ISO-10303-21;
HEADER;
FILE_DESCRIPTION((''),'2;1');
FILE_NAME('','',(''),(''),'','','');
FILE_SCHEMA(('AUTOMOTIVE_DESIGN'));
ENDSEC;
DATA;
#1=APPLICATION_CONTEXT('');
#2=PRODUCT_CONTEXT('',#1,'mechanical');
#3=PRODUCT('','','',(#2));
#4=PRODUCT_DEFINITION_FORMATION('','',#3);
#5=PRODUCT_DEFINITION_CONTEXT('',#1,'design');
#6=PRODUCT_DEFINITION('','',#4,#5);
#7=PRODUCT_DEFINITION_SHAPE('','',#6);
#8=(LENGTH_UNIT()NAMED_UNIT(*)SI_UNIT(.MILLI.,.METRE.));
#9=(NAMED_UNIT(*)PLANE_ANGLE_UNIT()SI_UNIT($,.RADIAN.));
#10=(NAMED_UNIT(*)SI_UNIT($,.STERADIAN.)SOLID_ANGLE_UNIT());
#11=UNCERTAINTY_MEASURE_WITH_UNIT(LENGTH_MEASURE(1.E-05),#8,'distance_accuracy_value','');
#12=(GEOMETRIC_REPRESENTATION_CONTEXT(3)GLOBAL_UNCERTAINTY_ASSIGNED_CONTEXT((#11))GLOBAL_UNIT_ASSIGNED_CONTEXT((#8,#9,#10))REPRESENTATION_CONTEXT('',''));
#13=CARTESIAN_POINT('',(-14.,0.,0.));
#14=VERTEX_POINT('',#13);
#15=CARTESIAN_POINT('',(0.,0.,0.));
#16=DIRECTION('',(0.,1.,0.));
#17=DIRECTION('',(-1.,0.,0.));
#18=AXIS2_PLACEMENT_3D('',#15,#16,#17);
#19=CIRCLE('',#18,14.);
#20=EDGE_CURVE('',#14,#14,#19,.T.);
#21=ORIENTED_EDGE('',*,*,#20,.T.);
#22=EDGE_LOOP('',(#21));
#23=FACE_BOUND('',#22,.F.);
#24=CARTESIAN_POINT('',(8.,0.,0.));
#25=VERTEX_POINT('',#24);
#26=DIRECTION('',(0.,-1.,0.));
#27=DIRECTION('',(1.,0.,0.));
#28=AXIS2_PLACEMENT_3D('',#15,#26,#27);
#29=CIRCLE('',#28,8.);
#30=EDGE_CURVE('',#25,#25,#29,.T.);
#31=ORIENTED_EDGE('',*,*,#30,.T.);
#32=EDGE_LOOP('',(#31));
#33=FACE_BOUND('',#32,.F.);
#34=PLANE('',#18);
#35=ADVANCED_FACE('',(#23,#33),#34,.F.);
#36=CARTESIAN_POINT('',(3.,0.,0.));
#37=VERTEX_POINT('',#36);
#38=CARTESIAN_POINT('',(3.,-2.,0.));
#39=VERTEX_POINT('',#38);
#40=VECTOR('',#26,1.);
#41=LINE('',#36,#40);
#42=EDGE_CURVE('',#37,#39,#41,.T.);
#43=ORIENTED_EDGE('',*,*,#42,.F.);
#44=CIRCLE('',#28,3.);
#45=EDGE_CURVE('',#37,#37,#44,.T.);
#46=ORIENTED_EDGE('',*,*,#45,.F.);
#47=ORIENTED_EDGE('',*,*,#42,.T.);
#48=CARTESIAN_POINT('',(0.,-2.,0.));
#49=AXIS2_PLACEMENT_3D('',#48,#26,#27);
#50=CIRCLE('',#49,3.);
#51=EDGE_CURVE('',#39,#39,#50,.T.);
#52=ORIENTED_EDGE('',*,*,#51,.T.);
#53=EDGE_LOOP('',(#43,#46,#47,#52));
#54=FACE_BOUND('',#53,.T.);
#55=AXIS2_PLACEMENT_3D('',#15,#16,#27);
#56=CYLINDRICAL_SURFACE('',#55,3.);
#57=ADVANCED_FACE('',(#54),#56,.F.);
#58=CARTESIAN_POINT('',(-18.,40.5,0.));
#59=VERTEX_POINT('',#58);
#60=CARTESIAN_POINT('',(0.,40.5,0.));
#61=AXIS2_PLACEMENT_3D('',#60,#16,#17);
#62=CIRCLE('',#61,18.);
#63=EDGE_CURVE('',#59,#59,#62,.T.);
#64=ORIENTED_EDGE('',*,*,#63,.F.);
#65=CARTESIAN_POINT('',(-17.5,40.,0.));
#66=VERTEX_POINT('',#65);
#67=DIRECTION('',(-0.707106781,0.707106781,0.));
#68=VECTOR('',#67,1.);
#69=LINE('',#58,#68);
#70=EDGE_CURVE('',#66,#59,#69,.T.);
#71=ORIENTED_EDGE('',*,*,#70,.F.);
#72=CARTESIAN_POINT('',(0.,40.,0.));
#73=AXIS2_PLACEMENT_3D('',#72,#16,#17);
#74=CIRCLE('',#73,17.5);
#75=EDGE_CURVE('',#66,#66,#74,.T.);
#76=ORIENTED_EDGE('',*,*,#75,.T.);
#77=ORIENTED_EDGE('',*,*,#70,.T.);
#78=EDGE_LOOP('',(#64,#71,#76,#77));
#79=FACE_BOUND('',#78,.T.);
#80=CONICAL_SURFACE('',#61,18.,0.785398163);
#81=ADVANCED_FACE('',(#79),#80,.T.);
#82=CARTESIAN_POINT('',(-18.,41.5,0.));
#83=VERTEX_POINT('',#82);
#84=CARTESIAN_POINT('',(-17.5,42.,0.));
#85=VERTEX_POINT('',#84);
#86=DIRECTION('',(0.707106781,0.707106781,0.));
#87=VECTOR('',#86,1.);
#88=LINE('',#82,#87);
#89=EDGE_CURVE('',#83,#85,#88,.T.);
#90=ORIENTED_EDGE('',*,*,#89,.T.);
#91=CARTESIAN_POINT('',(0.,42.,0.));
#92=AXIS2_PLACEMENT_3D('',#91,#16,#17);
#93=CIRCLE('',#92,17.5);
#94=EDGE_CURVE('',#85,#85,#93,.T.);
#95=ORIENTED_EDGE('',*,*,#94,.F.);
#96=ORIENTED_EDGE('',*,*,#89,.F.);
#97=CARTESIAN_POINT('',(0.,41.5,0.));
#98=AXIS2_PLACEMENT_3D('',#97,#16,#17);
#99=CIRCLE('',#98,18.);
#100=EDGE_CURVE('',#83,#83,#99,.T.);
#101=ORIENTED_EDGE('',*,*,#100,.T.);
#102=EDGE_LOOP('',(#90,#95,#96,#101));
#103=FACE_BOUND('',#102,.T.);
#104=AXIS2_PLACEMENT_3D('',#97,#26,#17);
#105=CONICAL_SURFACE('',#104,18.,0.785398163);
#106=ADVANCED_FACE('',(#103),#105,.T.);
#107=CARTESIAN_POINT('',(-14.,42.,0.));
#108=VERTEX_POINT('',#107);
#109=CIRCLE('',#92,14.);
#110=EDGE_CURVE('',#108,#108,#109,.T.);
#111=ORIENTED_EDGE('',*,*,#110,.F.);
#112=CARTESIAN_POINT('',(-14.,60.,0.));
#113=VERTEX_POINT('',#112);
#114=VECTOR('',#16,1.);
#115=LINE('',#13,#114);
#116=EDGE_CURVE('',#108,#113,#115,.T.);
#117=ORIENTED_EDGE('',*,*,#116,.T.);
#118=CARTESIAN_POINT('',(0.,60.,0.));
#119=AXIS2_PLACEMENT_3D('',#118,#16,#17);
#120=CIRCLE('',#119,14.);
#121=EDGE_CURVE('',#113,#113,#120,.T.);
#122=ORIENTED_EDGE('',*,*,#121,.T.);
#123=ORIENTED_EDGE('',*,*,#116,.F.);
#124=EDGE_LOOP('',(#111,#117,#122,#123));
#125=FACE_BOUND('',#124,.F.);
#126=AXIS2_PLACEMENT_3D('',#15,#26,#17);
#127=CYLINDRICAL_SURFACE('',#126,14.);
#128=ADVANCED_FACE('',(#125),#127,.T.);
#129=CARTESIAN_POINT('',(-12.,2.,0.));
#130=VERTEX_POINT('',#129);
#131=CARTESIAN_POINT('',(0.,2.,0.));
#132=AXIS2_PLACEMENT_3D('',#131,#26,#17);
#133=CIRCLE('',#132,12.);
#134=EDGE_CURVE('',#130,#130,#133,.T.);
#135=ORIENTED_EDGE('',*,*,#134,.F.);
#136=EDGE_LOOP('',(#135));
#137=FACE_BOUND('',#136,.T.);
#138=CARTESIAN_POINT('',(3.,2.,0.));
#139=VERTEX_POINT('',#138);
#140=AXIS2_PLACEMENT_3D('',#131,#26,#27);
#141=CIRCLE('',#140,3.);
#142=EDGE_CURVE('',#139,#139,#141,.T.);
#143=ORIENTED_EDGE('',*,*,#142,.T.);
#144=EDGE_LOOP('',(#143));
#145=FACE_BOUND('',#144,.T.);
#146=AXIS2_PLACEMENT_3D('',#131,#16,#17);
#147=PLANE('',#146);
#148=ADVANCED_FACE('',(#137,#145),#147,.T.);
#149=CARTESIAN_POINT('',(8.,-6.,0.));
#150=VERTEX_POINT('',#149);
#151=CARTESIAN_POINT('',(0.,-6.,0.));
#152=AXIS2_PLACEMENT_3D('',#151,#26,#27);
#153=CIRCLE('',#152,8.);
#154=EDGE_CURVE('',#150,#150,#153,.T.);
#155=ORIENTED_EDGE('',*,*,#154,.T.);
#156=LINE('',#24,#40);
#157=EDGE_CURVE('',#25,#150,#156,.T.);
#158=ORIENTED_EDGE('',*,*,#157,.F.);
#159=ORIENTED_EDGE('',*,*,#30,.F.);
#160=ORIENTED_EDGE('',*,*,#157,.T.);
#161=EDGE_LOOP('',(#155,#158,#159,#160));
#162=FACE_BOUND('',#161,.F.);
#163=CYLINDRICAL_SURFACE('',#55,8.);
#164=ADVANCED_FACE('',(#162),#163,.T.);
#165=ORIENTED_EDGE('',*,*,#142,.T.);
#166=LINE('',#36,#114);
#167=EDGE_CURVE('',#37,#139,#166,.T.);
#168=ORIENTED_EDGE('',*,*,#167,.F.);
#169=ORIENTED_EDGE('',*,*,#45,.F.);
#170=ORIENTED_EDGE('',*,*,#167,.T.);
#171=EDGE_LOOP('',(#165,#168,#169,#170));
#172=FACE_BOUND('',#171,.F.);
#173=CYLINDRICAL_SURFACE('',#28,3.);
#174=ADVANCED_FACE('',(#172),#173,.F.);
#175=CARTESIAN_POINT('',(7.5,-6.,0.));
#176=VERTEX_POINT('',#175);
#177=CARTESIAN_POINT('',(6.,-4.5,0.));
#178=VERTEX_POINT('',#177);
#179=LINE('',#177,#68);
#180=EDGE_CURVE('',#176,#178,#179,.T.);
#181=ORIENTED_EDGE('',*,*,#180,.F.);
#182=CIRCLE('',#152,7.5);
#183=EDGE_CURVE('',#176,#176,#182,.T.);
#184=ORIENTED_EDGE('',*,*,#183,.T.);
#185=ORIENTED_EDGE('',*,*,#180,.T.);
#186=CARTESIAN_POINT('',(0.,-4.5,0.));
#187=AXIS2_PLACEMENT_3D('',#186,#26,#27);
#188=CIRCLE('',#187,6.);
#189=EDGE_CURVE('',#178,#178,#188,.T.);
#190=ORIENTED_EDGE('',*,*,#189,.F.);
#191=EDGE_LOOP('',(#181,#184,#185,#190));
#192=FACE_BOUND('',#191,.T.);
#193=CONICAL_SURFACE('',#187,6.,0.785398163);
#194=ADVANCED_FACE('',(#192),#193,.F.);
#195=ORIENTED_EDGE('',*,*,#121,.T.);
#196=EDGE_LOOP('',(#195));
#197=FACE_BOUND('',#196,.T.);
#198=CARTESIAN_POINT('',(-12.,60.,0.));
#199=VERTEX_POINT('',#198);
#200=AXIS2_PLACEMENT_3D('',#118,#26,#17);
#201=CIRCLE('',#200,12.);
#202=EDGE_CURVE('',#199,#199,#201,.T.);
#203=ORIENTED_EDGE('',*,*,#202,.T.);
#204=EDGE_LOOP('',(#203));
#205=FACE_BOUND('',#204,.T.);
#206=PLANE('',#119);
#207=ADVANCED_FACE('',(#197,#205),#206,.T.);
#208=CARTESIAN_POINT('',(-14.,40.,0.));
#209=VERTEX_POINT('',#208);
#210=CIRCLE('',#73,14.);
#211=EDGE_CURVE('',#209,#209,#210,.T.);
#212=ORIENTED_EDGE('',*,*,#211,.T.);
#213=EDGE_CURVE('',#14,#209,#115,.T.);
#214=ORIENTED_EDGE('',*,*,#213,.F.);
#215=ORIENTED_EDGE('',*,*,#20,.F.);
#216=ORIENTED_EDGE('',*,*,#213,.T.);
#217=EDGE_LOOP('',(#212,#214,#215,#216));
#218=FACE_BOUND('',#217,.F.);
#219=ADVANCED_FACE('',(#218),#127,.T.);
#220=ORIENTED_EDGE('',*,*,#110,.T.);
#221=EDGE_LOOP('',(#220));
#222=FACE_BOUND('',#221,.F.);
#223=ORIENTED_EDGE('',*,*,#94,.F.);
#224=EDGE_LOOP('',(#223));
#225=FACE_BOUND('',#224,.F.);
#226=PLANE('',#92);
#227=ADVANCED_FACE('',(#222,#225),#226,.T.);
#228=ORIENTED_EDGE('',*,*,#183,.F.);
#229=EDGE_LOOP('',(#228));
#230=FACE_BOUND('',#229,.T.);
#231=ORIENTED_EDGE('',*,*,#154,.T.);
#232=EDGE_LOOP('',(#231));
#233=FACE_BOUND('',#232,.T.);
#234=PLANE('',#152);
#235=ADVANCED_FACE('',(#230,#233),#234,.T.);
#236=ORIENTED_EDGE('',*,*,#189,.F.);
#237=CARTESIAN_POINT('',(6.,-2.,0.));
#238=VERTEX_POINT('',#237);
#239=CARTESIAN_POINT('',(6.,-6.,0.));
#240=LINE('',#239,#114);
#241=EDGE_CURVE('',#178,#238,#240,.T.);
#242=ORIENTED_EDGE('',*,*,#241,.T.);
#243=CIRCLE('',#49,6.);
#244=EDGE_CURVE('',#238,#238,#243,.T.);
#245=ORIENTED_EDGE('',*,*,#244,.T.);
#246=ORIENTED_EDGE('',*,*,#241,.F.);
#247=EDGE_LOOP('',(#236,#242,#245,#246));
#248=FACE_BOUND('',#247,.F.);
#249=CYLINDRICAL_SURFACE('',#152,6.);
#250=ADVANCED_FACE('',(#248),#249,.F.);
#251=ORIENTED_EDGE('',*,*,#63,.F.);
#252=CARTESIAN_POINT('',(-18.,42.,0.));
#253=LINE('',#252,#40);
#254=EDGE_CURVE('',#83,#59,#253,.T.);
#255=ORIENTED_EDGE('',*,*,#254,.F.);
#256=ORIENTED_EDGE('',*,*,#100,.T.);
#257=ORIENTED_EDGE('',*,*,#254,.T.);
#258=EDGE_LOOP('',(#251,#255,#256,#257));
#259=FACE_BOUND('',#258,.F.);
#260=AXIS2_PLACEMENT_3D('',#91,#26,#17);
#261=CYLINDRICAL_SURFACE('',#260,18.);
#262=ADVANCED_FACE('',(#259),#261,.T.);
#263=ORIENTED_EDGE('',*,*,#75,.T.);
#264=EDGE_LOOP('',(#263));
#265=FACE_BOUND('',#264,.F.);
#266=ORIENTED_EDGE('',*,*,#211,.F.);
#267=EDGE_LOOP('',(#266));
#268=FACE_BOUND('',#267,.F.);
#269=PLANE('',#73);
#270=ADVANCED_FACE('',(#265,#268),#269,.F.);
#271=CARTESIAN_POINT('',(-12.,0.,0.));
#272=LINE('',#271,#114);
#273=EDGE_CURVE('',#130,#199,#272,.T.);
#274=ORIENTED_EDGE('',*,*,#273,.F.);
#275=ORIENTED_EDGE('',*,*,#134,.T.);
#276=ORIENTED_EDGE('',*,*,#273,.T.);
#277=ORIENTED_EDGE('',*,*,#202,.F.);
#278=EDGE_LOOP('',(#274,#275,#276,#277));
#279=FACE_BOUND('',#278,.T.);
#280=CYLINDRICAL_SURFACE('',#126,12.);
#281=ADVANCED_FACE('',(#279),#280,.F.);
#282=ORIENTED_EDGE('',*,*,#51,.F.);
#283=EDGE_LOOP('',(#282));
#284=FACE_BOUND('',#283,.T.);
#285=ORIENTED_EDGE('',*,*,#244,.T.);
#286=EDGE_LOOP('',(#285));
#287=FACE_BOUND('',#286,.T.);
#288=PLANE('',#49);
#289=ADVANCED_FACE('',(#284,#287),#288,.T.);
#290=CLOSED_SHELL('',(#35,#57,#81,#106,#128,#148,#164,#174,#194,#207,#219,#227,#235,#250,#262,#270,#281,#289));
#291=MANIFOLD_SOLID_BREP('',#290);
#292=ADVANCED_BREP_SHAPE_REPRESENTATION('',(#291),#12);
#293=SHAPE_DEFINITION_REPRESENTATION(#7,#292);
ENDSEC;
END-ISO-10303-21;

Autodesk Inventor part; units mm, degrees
ref_plane "YZ Plane" through (0, 0, 0) normal (1, 0, 0) x (0, 1, 0)
ref_plane "XZ Plane" through (0, 0, 0) normal (0, 1, 0) x (-1, 0, 0)
ref_plane "XY Plane" through (0, 0, 0) normal (0, 0, 1) x (1, 0, 0)
sketch "Boceto1" plane through (0, 0, 0) normal (0, 1, 0) x (-1, 0, 0)
  circle A0 centre (0, 0) radius 14
  dimension "d0" = 28
extrude "Extrusión1" add sketch "Boceto1" along normal blind 60
shell "Vaciado1" thickness 2 removed faces 1 at (-2.651, 60, 3.8406)
sketch "Boceto2" plane through (0, 0, 0) normal (1, 0, 0) x (0, 1, 0)
  line L0 (0, -14) -> (60, -14) projected
  line L1 (0, 14) -> (60, 14) projected
  line L2 (46, -14) -> (48, -14)
  line L3 (48, -14) -> (48, -19)
  line L4 (48, -19) -> (46, -19)
  line L5 (46, -19) -> (46, -14)
  point P0 (0, 0)
  dimension "d4" = 14
  dimension "d5" = 2
  dimension "d6" = 5
sketch "Boceto3" plane through (0, 0, 0) normal (1, 0, 0) x (0, 1, 0)
  line L0 (84.0119, 0) -> (36.1853, 0)
  point P0 (0, 0)
sketch "Boceto4" plane through (0, 0, 0) normal (0, -1, 0) x (1, 0, 0)
  circle A0 centre (0, 0) radius 3
  circle A1 centre (0, 0) radius 6
  dimension "d7" = 6
  dimension "d8" = 12
extrude "Extrusión2" cut sketch "Boceto4" against normal through all contours A0
sketch "Boceto5" plane through (0, 0, 0) normal (0, -1, 0) x (1, 0, 0)
  circle A0 centre (0, 0) radius 3 projected
sketch "Boceto6" plane through (0, 0, 0) normal (0, 0, 1) x (1, 0, 0)
  line L0 (-14, 0) -> (-14, 60) projected
  line L1 (-14, 42) -> (-18, 42)
  line L2 (-18, 42) -> (-18, 40)
  line L3 (-18, 40) -> (-14, 40)
  line L4 (14, 60) -> (-14, 60) projected
  line L5 (0, -14.2107) -> (0, 116.483)
  point P0 (0, 0)
  dimension "d11" = 18
  dimension "d12" = 2
  dimension "d13" = 4
sketch "Boceto7" plane through (0, 0, 0) normal (0, -1, 0) x (1, 0, 0)
  circle A0 centre (0, 0) radius 3 projected
  circle A1 centre (0, 0) radius 8
  dimension "d14" = 16
extrude "Extrusión3" add sketch "Boceto7" along normal blind 6
sketch "Boceto8" plane through (0, -6, 0) normal (0, -1, 0) x (1, 0, 0)
  circle A0 centre (0, 0) radius 8 projected
  circle A1 centre (0, 0) radius 6
  circle A2 centre (0, 0) radius 3 projected
  dimension "d17" = 2
extrude "Extrusión4" cut sketch "Boceto8" against normal blind 4 contours A1
chamfer "Chaflán1" distance 1.5 angle 45 1 edges at (-6, -6, 0)
revolve "Revolución1" add sketch "Boceto6" angle 360 about axis through (0, -14.2107, 0) along (0, 1, 0)
chamfer "Chaflán2" distance 0.5 angle 45 2 edges at (18, 40, 0) (18, 42, 0)
properties part number "shocks_spring" material "Plata"
